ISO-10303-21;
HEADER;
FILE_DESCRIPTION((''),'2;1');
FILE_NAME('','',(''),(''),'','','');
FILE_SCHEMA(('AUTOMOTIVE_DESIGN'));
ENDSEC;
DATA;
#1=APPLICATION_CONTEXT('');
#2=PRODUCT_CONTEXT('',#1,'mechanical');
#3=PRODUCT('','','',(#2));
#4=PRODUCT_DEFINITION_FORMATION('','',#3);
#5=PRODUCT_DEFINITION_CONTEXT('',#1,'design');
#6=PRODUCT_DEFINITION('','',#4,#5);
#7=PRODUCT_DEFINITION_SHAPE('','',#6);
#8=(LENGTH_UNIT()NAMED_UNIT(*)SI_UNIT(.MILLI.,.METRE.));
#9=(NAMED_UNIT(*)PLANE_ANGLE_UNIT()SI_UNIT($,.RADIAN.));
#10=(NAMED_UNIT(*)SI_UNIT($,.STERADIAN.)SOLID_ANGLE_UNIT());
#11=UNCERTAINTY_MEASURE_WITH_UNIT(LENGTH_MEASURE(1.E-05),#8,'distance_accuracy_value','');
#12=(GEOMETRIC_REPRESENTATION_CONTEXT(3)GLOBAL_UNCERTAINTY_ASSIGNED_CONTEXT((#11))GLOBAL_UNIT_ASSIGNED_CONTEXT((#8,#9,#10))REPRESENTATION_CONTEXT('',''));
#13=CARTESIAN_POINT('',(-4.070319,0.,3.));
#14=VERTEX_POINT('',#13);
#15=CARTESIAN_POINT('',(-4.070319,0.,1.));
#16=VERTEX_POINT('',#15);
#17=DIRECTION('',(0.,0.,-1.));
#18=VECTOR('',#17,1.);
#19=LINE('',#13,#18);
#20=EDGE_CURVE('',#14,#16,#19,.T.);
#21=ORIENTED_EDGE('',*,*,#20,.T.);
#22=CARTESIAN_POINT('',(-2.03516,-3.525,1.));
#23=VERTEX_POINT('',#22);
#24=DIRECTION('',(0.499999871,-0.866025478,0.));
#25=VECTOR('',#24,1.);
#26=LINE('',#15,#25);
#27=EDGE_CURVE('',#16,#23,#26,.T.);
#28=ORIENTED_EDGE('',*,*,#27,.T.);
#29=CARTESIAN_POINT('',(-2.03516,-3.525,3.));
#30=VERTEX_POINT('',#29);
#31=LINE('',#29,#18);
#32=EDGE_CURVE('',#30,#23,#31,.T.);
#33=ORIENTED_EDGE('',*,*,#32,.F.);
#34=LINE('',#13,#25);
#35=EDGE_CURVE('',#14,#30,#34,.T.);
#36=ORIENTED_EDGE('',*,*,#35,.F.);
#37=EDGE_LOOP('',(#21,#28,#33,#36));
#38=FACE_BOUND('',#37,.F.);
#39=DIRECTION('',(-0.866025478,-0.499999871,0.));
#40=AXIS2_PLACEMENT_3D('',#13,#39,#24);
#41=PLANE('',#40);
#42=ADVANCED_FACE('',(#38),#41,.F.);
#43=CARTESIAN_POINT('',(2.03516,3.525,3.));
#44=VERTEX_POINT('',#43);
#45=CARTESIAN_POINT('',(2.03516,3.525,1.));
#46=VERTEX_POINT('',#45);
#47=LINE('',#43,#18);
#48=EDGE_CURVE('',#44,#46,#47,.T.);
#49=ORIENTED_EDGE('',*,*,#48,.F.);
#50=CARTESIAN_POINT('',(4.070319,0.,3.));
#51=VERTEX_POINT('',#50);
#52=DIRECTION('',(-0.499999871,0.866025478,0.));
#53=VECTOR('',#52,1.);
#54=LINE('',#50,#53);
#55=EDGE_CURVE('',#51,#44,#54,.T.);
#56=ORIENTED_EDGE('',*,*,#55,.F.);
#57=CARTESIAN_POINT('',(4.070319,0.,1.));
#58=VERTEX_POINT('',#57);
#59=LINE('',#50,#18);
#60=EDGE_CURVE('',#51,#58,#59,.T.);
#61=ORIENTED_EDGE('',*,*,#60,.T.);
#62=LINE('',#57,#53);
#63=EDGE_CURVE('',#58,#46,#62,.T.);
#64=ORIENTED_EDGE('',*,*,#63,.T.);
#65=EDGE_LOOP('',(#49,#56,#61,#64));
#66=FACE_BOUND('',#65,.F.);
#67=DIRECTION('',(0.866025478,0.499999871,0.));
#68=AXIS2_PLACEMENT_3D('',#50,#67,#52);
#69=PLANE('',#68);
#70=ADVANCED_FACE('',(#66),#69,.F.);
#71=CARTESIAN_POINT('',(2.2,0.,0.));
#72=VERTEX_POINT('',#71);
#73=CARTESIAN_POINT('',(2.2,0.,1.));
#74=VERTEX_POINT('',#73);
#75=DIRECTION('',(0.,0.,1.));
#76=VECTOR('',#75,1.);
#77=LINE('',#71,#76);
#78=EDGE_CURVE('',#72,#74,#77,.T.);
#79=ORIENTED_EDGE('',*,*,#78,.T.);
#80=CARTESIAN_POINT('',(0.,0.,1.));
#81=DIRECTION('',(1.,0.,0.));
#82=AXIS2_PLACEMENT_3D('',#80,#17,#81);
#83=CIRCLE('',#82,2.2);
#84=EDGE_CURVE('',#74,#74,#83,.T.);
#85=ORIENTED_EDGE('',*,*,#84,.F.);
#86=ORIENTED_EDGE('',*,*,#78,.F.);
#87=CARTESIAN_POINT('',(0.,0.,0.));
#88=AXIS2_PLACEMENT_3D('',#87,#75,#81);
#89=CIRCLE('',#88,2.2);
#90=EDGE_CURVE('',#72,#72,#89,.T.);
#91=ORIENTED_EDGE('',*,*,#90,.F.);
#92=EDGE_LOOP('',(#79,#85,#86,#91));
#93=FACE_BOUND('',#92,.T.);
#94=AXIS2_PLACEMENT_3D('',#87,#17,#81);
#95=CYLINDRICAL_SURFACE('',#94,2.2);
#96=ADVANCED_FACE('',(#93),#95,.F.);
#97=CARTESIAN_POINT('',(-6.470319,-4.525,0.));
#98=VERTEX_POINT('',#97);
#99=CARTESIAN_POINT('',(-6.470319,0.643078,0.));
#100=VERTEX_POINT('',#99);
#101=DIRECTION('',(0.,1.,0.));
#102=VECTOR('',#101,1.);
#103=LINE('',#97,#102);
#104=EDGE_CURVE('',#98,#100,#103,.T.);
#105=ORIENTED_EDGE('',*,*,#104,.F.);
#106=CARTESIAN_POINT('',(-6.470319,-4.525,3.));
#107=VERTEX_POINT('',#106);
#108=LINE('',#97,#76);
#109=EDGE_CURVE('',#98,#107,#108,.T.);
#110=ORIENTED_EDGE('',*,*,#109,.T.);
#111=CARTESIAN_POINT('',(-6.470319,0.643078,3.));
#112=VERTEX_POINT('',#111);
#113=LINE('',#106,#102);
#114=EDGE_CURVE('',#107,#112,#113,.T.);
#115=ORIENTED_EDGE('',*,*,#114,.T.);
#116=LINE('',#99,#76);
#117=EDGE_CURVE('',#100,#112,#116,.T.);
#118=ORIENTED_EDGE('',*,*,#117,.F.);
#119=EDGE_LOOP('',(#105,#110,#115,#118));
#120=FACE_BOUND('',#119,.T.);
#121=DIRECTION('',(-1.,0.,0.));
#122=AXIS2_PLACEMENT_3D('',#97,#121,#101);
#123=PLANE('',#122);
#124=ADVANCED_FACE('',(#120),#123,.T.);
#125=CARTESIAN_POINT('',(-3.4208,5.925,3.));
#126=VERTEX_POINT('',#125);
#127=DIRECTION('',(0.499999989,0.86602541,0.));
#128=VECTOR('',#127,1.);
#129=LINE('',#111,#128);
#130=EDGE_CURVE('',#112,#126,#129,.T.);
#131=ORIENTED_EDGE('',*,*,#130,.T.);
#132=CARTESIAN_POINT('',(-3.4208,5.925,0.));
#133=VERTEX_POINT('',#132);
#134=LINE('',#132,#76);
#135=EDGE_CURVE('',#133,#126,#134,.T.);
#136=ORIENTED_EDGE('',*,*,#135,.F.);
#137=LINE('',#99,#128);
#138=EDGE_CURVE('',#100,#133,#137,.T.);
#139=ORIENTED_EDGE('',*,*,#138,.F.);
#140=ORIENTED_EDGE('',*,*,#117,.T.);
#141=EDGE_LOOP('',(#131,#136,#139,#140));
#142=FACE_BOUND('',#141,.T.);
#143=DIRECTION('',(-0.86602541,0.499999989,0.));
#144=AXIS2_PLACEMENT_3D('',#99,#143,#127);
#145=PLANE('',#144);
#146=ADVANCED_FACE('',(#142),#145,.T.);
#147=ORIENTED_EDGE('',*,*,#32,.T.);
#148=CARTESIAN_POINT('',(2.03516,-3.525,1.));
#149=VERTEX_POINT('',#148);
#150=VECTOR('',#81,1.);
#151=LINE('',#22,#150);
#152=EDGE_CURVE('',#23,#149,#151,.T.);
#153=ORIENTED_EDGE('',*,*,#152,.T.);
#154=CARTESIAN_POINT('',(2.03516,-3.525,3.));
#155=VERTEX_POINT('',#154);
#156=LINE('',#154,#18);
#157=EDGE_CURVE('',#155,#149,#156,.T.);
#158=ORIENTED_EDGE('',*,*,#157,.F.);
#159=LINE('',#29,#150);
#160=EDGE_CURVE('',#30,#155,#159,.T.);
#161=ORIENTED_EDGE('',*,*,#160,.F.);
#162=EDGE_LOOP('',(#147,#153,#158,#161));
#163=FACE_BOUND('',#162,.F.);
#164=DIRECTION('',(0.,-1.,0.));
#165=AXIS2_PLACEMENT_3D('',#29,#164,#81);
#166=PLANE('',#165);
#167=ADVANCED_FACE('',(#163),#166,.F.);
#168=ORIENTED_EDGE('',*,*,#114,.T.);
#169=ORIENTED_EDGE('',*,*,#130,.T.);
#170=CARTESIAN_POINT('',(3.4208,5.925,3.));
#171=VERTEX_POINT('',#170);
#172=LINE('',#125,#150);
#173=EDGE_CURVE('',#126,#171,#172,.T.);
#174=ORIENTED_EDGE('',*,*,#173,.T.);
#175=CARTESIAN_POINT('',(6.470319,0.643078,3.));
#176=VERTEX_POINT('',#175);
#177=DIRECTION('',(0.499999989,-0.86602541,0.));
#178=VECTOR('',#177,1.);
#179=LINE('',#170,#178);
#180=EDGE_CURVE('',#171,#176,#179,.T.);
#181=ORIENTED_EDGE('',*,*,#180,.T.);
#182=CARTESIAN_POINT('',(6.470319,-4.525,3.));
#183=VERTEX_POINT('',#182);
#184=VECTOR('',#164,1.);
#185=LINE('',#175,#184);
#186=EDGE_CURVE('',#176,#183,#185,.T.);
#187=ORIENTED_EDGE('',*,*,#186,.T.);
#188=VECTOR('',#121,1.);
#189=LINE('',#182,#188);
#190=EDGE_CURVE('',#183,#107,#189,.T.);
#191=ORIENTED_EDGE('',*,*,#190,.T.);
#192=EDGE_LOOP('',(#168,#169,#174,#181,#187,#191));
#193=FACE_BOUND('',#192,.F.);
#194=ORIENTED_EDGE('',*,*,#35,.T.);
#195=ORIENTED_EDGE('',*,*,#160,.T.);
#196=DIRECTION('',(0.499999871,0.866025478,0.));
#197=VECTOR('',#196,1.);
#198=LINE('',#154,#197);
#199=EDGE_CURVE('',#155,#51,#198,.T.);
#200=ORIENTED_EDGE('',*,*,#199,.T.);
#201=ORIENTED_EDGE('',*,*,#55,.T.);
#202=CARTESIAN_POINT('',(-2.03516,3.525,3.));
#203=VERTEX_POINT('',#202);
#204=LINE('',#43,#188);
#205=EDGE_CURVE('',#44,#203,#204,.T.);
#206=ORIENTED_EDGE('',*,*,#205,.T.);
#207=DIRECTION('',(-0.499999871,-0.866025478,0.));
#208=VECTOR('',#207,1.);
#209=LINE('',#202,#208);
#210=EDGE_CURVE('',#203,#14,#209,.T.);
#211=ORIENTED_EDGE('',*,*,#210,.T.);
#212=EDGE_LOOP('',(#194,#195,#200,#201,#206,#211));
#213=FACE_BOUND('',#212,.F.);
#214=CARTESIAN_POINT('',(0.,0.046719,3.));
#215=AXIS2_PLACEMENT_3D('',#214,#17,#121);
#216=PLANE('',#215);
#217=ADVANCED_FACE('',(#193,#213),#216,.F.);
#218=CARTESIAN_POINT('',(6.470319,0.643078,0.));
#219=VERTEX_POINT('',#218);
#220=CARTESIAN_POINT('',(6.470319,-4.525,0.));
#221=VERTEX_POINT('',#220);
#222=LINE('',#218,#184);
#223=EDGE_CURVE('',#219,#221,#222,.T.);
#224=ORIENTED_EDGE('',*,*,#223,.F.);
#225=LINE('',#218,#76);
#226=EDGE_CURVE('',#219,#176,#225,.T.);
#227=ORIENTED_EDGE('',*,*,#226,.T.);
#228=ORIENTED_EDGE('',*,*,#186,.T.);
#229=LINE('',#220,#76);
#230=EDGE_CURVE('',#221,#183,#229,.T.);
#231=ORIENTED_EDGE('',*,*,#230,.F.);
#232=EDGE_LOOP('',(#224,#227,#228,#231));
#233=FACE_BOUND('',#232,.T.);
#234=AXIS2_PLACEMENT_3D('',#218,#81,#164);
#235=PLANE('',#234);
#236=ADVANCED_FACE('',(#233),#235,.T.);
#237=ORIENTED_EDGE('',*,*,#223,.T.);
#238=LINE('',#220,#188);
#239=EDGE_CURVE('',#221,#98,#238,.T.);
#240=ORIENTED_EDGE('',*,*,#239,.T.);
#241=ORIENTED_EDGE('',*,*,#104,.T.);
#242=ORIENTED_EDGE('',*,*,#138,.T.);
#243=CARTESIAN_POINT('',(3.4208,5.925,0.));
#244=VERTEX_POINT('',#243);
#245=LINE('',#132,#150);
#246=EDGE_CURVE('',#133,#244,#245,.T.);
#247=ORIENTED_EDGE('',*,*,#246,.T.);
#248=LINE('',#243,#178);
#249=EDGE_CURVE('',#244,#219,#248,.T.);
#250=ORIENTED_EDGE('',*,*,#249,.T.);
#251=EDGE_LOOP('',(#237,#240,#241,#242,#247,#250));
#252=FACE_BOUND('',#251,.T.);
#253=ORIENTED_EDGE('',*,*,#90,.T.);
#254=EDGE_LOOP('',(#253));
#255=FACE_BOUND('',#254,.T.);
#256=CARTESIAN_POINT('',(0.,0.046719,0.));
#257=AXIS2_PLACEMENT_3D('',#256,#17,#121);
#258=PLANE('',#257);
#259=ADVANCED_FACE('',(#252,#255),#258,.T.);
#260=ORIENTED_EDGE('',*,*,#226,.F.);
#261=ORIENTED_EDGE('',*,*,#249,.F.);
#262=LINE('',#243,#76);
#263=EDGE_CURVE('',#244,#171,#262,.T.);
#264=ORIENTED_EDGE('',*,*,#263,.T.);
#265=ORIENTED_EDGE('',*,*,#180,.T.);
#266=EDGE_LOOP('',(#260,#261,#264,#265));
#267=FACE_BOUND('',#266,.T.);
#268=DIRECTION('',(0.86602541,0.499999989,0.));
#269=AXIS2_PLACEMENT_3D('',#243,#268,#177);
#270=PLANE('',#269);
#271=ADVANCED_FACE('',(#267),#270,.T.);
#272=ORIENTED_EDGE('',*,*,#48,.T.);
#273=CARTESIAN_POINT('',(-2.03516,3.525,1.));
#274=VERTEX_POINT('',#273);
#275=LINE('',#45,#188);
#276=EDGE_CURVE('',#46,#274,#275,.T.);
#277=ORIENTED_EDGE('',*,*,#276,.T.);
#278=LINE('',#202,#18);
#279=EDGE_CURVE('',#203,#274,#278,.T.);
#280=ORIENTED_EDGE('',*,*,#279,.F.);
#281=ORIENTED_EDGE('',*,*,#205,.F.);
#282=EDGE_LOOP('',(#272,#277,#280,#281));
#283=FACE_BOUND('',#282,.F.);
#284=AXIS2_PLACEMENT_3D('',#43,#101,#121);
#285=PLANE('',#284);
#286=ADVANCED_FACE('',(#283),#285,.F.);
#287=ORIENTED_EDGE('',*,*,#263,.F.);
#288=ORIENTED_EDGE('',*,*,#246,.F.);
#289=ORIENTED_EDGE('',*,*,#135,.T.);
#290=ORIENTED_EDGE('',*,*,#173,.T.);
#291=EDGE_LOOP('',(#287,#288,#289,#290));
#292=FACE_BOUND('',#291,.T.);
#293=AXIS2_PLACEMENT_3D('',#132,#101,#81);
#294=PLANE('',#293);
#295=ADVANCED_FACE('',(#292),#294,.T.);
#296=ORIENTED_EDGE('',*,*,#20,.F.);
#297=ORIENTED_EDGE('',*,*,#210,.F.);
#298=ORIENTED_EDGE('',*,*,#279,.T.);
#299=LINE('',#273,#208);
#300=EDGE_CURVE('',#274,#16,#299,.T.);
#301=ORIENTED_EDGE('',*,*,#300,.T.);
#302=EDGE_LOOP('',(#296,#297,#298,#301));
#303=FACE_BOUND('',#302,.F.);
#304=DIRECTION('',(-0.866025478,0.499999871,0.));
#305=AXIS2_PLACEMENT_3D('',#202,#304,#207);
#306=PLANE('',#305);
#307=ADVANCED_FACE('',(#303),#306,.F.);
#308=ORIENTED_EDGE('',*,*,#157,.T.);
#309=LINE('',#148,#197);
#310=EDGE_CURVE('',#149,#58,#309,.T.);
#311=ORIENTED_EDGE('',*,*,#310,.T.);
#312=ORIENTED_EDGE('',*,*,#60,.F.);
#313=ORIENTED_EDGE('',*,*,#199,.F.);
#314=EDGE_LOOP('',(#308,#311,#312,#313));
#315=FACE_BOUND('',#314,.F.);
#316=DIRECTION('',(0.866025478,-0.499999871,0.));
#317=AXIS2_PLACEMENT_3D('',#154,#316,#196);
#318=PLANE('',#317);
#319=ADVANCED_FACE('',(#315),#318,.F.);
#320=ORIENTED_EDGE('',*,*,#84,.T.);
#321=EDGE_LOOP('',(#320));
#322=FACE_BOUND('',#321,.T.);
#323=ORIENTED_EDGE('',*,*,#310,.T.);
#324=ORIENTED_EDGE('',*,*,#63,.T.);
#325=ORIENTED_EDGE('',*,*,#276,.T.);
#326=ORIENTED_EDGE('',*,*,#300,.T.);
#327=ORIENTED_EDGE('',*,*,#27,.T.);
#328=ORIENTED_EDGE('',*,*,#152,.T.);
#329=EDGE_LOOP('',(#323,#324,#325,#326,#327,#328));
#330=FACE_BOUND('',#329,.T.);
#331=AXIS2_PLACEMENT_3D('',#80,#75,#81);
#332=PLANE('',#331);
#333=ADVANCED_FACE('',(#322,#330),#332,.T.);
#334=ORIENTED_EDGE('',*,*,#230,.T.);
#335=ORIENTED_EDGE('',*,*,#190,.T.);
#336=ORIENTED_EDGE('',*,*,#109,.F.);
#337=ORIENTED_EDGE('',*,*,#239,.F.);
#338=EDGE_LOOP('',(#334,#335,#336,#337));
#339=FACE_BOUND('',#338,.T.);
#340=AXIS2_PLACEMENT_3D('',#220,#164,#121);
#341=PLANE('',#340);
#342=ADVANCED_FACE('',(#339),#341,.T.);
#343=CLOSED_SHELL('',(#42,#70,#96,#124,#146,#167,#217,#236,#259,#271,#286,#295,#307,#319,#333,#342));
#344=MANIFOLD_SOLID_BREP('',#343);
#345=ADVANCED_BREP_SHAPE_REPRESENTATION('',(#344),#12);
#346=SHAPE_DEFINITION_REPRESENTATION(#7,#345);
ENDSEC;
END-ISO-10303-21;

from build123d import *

# Parameters (mm, degrees)
SKETCH_R     = 2.2
PAD_DEPTH    = 3
POCKET_DEPTH = 2


with BuildPart() as part:
    # Sketch → Pad (new body)
    with BuildSketch(Plane.XY):
        Polygon((6.470319, -4.525), (-6.470319, -4.525), (-6.470319, 0.643078), (-3.4208, 5.925), (3.4208, 5.925), (6.470319, 0.643078), align=None)
        Circle(SKETCH_R, mode=Mode.SUBTRACT)
    extrude(amount=PAD_DEPTH)

    # Sketch001 → Pocket (cut)
    with BuildSketch(Plane.XY.offset(3)):
        Polygon((4.070319, 0), (2.03516, 3.525), (-2.03516, 3.525), (-4.070319, 0), (-2.03516, -3.525), (2.03516, -3.525), align=None)
    extrude(amount=-POCKET_DEPTH, mode=Mode.SUBTRACT)


solid = part.part
